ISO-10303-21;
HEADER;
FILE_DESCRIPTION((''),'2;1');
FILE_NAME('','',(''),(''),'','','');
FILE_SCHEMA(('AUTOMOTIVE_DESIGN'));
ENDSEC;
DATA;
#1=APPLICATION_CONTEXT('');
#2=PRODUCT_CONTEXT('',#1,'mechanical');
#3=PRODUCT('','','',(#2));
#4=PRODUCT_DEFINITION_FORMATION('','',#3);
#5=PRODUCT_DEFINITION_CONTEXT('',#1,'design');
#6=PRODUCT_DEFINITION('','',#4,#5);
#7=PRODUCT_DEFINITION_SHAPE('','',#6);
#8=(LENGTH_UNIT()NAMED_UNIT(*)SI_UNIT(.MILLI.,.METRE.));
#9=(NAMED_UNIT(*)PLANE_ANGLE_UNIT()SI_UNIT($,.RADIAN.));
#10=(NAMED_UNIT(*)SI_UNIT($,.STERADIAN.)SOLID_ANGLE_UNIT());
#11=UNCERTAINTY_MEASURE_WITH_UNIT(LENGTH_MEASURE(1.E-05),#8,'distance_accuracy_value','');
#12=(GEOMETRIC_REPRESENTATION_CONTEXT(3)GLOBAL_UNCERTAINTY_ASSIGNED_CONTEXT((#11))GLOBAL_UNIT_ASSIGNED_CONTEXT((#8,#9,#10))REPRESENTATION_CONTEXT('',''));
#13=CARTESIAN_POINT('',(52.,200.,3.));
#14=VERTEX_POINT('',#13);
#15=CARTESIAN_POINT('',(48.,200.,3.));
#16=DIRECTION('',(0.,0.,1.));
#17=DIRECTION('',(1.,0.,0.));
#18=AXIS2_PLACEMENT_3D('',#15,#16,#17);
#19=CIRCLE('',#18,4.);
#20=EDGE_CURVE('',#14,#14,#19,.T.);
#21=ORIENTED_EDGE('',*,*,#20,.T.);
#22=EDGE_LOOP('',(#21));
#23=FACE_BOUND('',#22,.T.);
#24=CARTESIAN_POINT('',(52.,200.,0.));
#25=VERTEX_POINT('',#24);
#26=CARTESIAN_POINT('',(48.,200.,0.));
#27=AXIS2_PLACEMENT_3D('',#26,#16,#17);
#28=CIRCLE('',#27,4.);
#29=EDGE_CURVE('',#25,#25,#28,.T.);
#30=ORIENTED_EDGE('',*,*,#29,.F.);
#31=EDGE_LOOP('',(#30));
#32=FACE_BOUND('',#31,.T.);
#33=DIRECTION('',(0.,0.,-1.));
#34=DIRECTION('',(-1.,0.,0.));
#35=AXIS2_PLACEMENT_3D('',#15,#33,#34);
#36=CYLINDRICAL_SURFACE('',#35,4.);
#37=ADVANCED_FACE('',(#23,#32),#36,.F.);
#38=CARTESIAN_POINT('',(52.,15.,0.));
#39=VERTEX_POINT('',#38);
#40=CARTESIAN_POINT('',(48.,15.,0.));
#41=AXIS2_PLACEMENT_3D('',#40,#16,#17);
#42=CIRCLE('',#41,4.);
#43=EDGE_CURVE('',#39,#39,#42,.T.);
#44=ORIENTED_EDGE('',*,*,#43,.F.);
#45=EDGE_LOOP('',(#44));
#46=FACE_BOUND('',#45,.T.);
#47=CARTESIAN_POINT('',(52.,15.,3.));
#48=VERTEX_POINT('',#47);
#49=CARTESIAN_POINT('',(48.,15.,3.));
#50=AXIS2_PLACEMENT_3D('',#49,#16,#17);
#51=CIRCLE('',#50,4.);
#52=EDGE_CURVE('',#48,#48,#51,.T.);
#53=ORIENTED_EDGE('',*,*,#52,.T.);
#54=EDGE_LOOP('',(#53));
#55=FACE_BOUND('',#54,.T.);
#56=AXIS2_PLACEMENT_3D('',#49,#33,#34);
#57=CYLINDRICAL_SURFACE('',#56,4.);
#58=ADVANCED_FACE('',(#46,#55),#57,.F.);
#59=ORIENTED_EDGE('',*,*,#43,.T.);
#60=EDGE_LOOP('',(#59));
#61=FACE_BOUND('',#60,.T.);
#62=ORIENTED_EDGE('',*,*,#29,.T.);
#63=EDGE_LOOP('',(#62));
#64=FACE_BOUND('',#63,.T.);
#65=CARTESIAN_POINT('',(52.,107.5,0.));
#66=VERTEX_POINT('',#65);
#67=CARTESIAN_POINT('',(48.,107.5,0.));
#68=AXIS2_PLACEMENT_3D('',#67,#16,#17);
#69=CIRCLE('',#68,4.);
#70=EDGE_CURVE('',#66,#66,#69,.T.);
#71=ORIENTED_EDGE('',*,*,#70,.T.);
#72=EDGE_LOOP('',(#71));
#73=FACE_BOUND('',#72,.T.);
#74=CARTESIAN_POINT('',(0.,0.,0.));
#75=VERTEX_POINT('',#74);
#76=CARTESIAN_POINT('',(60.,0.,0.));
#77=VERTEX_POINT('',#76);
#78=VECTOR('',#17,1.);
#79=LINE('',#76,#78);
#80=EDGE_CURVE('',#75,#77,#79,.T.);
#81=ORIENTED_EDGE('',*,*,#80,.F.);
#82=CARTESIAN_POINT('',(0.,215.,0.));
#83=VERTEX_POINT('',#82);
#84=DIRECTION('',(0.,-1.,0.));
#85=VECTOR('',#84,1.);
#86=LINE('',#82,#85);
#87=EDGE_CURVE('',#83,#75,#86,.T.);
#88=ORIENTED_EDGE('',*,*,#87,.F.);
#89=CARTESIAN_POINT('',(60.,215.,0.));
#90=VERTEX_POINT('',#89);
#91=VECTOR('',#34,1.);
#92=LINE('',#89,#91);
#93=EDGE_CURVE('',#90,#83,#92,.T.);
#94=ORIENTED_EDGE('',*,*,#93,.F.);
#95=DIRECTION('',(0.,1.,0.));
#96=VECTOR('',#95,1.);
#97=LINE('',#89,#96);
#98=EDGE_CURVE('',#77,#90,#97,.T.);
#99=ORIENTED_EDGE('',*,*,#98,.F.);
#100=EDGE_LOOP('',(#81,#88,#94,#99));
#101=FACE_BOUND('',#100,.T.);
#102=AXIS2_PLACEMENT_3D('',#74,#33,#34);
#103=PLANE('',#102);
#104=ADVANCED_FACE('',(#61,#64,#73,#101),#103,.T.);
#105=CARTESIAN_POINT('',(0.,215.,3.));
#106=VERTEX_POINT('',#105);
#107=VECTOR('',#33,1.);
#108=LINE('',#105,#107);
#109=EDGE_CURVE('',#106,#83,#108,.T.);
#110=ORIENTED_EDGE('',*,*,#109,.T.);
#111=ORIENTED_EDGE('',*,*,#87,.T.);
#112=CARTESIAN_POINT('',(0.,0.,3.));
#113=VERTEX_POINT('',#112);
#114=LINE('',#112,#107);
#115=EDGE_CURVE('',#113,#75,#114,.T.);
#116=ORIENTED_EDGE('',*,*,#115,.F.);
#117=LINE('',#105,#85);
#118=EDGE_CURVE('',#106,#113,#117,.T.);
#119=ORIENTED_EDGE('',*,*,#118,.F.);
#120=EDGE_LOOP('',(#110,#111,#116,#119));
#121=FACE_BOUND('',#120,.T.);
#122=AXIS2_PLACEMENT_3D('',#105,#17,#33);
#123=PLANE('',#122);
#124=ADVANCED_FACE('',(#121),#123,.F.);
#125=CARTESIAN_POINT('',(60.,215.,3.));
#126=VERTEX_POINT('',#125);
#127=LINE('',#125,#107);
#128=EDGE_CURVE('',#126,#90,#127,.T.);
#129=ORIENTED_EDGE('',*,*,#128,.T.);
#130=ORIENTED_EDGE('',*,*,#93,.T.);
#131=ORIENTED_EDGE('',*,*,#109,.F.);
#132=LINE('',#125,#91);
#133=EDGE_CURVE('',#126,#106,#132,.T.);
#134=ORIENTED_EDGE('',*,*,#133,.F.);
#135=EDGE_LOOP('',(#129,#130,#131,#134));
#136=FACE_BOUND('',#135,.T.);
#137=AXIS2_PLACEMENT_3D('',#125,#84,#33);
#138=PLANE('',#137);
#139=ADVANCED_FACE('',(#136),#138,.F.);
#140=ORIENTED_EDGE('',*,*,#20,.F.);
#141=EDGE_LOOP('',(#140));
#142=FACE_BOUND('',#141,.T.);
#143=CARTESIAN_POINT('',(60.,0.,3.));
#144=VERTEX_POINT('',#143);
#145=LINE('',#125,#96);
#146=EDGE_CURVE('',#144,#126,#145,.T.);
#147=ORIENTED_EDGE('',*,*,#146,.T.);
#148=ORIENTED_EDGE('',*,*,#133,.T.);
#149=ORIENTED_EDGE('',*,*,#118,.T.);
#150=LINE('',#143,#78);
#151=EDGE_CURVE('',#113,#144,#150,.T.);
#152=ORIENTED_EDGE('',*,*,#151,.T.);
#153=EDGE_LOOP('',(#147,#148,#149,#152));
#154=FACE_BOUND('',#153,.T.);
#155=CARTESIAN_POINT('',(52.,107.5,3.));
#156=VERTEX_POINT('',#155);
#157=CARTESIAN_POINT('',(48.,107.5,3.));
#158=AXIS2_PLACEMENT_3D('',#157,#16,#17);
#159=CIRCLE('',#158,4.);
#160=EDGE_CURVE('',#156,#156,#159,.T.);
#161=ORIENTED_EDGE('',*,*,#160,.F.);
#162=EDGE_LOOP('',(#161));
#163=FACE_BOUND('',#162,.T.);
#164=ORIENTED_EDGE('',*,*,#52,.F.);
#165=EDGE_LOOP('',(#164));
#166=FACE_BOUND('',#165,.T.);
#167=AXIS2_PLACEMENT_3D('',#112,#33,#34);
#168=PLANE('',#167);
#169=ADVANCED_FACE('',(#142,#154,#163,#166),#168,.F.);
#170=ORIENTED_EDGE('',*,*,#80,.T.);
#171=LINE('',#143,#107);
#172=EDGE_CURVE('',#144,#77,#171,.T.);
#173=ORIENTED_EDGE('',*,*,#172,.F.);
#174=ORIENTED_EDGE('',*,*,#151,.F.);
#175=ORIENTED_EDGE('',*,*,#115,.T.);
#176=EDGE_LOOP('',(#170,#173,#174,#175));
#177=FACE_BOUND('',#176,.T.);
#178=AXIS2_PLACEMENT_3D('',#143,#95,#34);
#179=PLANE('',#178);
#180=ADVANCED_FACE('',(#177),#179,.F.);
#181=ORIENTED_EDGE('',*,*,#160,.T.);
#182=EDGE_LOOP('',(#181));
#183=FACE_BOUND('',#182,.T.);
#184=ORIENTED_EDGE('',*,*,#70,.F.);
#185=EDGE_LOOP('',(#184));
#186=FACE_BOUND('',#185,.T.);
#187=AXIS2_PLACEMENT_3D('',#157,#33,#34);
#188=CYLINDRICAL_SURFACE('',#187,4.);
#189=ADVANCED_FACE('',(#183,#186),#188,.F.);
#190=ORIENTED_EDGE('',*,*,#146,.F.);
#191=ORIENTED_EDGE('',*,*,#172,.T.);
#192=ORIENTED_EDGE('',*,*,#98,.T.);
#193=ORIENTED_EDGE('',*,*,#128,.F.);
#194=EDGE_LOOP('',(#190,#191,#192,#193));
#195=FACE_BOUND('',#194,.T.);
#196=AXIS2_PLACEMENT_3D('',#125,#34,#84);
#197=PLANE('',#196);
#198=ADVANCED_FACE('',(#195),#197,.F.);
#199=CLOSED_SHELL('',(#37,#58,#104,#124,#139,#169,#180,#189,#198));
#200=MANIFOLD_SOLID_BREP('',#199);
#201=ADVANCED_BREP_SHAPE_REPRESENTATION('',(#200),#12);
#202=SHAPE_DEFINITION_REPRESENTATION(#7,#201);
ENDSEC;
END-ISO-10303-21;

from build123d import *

# Parameters (mm, degrees)
SKETCH1_W           = 60
SKETCH1_H           = 215
SKETCH1_R           = 4
BOSS_EXTRUDE1_DEPTH = 3


with BuildPart() as part:
    # Sketch1 → Boss-Extrude1 (new body)
    with BuildSketch(Plane.XY):
        with Locations((30, 107.5)):
            Rectangle(SKETCH1_W, SKETCH1_H)
        with Locations((48, 15)):
            Circle(SKETCH1_R, mode=Mode.SUBTRACT)
        with Locations((48, 107.5)):
            Circle(SKETCH1_R, mode=Mode.SUBTRACT)
        with Locations((48, 200)):
            Circle(SKETCH1_R, mode=Mode.SUBTRACT)
    extrude(amount=BOSS_EXTRUDE1_DEPTH)


solid = part.part
